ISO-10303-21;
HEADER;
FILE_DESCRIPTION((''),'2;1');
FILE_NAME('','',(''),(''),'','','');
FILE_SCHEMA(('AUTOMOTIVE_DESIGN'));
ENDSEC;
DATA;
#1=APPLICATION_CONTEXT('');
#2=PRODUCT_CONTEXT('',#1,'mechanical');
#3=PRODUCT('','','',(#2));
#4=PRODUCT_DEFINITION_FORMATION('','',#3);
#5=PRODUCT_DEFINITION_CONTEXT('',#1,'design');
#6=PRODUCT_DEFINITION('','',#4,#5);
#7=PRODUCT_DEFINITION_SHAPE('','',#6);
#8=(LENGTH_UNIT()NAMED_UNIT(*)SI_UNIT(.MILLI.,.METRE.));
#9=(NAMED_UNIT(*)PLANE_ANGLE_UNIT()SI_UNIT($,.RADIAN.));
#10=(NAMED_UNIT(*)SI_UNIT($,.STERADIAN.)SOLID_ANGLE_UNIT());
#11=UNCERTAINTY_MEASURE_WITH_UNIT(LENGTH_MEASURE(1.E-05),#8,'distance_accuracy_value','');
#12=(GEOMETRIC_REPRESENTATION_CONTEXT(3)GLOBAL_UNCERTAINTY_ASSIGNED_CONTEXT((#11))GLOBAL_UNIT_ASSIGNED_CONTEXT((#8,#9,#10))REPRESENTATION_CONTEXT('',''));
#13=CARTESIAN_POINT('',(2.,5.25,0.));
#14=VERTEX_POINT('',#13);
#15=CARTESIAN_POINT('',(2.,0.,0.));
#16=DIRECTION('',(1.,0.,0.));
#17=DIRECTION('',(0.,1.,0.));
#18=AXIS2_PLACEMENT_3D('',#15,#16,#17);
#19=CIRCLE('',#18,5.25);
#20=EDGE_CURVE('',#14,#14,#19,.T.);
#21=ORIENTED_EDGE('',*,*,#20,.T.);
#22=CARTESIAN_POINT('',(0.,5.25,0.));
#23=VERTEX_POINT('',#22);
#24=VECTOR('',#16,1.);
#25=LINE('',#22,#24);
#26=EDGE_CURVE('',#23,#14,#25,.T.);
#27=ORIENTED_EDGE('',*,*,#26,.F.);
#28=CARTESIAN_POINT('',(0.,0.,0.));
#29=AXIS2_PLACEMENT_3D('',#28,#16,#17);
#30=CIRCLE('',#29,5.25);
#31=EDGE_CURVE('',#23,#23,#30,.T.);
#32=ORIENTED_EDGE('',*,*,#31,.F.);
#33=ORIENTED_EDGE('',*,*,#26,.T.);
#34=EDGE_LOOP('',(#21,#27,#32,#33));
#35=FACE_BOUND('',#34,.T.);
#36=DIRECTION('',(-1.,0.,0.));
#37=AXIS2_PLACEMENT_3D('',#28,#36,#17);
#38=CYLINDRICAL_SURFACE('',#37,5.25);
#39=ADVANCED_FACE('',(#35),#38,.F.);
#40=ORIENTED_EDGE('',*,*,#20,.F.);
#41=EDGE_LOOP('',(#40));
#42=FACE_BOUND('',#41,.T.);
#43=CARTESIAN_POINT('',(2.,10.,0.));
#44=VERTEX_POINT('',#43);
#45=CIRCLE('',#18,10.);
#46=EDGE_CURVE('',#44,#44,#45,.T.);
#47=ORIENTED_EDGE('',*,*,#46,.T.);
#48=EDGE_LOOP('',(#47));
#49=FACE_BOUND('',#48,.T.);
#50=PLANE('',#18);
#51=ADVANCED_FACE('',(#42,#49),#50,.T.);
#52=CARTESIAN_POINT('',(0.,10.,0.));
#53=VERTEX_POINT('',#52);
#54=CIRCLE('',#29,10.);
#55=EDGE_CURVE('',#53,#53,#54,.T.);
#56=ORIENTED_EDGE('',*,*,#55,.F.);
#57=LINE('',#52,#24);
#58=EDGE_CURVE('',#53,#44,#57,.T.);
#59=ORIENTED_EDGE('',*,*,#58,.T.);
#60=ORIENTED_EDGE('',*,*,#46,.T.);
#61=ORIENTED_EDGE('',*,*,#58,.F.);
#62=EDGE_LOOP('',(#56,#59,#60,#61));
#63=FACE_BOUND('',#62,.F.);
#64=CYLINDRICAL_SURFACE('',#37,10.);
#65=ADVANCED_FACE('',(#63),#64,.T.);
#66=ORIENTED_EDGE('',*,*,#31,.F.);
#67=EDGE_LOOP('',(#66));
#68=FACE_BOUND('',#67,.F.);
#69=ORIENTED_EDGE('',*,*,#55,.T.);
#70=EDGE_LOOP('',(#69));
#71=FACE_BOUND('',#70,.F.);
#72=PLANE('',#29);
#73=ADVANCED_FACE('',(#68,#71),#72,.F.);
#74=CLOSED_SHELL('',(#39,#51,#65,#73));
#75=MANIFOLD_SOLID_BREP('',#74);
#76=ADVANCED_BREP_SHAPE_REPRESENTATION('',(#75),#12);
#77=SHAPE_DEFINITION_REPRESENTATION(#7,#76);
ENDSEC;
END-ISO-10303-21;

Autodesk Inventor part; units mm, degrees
ref_plane "YZ Plane" through (0, 0, 0) normal (1, 0, 0) x (0, 1, 0)
ref_plane "XZ Plane" through (0, 0, 0) normal (0, 1, 0) x (-1, 0, 0)
sketch "Rascunho" plane through (0, 0, 0) normal (1, 0, 0) x (0, 1, 0)
  circle A0 centre (0, 0) radius 10
  circle A1 centre (0, 0) radius 5.25
  dimension "d0" = 10.5
  dimension "d1" = 20
extrude "Corpo" add sketch "Rascunho" along normal blind 2
ref_plane "Work Plane1" through (0, 0, 0) normal (0, 0, 1) x (1, 0, 0)
equation "\"d0\" = SD1"
equation "\"d1\" = SD2"
equation "\"d2\" = SD"
equation "\"SD1\" = 10.5"
equation "\"SD2\" = 20"
equation "\"SD\" = 2"
properties part number "DIN 125 - A 10,5" material "Aço Inox AISI 304"
